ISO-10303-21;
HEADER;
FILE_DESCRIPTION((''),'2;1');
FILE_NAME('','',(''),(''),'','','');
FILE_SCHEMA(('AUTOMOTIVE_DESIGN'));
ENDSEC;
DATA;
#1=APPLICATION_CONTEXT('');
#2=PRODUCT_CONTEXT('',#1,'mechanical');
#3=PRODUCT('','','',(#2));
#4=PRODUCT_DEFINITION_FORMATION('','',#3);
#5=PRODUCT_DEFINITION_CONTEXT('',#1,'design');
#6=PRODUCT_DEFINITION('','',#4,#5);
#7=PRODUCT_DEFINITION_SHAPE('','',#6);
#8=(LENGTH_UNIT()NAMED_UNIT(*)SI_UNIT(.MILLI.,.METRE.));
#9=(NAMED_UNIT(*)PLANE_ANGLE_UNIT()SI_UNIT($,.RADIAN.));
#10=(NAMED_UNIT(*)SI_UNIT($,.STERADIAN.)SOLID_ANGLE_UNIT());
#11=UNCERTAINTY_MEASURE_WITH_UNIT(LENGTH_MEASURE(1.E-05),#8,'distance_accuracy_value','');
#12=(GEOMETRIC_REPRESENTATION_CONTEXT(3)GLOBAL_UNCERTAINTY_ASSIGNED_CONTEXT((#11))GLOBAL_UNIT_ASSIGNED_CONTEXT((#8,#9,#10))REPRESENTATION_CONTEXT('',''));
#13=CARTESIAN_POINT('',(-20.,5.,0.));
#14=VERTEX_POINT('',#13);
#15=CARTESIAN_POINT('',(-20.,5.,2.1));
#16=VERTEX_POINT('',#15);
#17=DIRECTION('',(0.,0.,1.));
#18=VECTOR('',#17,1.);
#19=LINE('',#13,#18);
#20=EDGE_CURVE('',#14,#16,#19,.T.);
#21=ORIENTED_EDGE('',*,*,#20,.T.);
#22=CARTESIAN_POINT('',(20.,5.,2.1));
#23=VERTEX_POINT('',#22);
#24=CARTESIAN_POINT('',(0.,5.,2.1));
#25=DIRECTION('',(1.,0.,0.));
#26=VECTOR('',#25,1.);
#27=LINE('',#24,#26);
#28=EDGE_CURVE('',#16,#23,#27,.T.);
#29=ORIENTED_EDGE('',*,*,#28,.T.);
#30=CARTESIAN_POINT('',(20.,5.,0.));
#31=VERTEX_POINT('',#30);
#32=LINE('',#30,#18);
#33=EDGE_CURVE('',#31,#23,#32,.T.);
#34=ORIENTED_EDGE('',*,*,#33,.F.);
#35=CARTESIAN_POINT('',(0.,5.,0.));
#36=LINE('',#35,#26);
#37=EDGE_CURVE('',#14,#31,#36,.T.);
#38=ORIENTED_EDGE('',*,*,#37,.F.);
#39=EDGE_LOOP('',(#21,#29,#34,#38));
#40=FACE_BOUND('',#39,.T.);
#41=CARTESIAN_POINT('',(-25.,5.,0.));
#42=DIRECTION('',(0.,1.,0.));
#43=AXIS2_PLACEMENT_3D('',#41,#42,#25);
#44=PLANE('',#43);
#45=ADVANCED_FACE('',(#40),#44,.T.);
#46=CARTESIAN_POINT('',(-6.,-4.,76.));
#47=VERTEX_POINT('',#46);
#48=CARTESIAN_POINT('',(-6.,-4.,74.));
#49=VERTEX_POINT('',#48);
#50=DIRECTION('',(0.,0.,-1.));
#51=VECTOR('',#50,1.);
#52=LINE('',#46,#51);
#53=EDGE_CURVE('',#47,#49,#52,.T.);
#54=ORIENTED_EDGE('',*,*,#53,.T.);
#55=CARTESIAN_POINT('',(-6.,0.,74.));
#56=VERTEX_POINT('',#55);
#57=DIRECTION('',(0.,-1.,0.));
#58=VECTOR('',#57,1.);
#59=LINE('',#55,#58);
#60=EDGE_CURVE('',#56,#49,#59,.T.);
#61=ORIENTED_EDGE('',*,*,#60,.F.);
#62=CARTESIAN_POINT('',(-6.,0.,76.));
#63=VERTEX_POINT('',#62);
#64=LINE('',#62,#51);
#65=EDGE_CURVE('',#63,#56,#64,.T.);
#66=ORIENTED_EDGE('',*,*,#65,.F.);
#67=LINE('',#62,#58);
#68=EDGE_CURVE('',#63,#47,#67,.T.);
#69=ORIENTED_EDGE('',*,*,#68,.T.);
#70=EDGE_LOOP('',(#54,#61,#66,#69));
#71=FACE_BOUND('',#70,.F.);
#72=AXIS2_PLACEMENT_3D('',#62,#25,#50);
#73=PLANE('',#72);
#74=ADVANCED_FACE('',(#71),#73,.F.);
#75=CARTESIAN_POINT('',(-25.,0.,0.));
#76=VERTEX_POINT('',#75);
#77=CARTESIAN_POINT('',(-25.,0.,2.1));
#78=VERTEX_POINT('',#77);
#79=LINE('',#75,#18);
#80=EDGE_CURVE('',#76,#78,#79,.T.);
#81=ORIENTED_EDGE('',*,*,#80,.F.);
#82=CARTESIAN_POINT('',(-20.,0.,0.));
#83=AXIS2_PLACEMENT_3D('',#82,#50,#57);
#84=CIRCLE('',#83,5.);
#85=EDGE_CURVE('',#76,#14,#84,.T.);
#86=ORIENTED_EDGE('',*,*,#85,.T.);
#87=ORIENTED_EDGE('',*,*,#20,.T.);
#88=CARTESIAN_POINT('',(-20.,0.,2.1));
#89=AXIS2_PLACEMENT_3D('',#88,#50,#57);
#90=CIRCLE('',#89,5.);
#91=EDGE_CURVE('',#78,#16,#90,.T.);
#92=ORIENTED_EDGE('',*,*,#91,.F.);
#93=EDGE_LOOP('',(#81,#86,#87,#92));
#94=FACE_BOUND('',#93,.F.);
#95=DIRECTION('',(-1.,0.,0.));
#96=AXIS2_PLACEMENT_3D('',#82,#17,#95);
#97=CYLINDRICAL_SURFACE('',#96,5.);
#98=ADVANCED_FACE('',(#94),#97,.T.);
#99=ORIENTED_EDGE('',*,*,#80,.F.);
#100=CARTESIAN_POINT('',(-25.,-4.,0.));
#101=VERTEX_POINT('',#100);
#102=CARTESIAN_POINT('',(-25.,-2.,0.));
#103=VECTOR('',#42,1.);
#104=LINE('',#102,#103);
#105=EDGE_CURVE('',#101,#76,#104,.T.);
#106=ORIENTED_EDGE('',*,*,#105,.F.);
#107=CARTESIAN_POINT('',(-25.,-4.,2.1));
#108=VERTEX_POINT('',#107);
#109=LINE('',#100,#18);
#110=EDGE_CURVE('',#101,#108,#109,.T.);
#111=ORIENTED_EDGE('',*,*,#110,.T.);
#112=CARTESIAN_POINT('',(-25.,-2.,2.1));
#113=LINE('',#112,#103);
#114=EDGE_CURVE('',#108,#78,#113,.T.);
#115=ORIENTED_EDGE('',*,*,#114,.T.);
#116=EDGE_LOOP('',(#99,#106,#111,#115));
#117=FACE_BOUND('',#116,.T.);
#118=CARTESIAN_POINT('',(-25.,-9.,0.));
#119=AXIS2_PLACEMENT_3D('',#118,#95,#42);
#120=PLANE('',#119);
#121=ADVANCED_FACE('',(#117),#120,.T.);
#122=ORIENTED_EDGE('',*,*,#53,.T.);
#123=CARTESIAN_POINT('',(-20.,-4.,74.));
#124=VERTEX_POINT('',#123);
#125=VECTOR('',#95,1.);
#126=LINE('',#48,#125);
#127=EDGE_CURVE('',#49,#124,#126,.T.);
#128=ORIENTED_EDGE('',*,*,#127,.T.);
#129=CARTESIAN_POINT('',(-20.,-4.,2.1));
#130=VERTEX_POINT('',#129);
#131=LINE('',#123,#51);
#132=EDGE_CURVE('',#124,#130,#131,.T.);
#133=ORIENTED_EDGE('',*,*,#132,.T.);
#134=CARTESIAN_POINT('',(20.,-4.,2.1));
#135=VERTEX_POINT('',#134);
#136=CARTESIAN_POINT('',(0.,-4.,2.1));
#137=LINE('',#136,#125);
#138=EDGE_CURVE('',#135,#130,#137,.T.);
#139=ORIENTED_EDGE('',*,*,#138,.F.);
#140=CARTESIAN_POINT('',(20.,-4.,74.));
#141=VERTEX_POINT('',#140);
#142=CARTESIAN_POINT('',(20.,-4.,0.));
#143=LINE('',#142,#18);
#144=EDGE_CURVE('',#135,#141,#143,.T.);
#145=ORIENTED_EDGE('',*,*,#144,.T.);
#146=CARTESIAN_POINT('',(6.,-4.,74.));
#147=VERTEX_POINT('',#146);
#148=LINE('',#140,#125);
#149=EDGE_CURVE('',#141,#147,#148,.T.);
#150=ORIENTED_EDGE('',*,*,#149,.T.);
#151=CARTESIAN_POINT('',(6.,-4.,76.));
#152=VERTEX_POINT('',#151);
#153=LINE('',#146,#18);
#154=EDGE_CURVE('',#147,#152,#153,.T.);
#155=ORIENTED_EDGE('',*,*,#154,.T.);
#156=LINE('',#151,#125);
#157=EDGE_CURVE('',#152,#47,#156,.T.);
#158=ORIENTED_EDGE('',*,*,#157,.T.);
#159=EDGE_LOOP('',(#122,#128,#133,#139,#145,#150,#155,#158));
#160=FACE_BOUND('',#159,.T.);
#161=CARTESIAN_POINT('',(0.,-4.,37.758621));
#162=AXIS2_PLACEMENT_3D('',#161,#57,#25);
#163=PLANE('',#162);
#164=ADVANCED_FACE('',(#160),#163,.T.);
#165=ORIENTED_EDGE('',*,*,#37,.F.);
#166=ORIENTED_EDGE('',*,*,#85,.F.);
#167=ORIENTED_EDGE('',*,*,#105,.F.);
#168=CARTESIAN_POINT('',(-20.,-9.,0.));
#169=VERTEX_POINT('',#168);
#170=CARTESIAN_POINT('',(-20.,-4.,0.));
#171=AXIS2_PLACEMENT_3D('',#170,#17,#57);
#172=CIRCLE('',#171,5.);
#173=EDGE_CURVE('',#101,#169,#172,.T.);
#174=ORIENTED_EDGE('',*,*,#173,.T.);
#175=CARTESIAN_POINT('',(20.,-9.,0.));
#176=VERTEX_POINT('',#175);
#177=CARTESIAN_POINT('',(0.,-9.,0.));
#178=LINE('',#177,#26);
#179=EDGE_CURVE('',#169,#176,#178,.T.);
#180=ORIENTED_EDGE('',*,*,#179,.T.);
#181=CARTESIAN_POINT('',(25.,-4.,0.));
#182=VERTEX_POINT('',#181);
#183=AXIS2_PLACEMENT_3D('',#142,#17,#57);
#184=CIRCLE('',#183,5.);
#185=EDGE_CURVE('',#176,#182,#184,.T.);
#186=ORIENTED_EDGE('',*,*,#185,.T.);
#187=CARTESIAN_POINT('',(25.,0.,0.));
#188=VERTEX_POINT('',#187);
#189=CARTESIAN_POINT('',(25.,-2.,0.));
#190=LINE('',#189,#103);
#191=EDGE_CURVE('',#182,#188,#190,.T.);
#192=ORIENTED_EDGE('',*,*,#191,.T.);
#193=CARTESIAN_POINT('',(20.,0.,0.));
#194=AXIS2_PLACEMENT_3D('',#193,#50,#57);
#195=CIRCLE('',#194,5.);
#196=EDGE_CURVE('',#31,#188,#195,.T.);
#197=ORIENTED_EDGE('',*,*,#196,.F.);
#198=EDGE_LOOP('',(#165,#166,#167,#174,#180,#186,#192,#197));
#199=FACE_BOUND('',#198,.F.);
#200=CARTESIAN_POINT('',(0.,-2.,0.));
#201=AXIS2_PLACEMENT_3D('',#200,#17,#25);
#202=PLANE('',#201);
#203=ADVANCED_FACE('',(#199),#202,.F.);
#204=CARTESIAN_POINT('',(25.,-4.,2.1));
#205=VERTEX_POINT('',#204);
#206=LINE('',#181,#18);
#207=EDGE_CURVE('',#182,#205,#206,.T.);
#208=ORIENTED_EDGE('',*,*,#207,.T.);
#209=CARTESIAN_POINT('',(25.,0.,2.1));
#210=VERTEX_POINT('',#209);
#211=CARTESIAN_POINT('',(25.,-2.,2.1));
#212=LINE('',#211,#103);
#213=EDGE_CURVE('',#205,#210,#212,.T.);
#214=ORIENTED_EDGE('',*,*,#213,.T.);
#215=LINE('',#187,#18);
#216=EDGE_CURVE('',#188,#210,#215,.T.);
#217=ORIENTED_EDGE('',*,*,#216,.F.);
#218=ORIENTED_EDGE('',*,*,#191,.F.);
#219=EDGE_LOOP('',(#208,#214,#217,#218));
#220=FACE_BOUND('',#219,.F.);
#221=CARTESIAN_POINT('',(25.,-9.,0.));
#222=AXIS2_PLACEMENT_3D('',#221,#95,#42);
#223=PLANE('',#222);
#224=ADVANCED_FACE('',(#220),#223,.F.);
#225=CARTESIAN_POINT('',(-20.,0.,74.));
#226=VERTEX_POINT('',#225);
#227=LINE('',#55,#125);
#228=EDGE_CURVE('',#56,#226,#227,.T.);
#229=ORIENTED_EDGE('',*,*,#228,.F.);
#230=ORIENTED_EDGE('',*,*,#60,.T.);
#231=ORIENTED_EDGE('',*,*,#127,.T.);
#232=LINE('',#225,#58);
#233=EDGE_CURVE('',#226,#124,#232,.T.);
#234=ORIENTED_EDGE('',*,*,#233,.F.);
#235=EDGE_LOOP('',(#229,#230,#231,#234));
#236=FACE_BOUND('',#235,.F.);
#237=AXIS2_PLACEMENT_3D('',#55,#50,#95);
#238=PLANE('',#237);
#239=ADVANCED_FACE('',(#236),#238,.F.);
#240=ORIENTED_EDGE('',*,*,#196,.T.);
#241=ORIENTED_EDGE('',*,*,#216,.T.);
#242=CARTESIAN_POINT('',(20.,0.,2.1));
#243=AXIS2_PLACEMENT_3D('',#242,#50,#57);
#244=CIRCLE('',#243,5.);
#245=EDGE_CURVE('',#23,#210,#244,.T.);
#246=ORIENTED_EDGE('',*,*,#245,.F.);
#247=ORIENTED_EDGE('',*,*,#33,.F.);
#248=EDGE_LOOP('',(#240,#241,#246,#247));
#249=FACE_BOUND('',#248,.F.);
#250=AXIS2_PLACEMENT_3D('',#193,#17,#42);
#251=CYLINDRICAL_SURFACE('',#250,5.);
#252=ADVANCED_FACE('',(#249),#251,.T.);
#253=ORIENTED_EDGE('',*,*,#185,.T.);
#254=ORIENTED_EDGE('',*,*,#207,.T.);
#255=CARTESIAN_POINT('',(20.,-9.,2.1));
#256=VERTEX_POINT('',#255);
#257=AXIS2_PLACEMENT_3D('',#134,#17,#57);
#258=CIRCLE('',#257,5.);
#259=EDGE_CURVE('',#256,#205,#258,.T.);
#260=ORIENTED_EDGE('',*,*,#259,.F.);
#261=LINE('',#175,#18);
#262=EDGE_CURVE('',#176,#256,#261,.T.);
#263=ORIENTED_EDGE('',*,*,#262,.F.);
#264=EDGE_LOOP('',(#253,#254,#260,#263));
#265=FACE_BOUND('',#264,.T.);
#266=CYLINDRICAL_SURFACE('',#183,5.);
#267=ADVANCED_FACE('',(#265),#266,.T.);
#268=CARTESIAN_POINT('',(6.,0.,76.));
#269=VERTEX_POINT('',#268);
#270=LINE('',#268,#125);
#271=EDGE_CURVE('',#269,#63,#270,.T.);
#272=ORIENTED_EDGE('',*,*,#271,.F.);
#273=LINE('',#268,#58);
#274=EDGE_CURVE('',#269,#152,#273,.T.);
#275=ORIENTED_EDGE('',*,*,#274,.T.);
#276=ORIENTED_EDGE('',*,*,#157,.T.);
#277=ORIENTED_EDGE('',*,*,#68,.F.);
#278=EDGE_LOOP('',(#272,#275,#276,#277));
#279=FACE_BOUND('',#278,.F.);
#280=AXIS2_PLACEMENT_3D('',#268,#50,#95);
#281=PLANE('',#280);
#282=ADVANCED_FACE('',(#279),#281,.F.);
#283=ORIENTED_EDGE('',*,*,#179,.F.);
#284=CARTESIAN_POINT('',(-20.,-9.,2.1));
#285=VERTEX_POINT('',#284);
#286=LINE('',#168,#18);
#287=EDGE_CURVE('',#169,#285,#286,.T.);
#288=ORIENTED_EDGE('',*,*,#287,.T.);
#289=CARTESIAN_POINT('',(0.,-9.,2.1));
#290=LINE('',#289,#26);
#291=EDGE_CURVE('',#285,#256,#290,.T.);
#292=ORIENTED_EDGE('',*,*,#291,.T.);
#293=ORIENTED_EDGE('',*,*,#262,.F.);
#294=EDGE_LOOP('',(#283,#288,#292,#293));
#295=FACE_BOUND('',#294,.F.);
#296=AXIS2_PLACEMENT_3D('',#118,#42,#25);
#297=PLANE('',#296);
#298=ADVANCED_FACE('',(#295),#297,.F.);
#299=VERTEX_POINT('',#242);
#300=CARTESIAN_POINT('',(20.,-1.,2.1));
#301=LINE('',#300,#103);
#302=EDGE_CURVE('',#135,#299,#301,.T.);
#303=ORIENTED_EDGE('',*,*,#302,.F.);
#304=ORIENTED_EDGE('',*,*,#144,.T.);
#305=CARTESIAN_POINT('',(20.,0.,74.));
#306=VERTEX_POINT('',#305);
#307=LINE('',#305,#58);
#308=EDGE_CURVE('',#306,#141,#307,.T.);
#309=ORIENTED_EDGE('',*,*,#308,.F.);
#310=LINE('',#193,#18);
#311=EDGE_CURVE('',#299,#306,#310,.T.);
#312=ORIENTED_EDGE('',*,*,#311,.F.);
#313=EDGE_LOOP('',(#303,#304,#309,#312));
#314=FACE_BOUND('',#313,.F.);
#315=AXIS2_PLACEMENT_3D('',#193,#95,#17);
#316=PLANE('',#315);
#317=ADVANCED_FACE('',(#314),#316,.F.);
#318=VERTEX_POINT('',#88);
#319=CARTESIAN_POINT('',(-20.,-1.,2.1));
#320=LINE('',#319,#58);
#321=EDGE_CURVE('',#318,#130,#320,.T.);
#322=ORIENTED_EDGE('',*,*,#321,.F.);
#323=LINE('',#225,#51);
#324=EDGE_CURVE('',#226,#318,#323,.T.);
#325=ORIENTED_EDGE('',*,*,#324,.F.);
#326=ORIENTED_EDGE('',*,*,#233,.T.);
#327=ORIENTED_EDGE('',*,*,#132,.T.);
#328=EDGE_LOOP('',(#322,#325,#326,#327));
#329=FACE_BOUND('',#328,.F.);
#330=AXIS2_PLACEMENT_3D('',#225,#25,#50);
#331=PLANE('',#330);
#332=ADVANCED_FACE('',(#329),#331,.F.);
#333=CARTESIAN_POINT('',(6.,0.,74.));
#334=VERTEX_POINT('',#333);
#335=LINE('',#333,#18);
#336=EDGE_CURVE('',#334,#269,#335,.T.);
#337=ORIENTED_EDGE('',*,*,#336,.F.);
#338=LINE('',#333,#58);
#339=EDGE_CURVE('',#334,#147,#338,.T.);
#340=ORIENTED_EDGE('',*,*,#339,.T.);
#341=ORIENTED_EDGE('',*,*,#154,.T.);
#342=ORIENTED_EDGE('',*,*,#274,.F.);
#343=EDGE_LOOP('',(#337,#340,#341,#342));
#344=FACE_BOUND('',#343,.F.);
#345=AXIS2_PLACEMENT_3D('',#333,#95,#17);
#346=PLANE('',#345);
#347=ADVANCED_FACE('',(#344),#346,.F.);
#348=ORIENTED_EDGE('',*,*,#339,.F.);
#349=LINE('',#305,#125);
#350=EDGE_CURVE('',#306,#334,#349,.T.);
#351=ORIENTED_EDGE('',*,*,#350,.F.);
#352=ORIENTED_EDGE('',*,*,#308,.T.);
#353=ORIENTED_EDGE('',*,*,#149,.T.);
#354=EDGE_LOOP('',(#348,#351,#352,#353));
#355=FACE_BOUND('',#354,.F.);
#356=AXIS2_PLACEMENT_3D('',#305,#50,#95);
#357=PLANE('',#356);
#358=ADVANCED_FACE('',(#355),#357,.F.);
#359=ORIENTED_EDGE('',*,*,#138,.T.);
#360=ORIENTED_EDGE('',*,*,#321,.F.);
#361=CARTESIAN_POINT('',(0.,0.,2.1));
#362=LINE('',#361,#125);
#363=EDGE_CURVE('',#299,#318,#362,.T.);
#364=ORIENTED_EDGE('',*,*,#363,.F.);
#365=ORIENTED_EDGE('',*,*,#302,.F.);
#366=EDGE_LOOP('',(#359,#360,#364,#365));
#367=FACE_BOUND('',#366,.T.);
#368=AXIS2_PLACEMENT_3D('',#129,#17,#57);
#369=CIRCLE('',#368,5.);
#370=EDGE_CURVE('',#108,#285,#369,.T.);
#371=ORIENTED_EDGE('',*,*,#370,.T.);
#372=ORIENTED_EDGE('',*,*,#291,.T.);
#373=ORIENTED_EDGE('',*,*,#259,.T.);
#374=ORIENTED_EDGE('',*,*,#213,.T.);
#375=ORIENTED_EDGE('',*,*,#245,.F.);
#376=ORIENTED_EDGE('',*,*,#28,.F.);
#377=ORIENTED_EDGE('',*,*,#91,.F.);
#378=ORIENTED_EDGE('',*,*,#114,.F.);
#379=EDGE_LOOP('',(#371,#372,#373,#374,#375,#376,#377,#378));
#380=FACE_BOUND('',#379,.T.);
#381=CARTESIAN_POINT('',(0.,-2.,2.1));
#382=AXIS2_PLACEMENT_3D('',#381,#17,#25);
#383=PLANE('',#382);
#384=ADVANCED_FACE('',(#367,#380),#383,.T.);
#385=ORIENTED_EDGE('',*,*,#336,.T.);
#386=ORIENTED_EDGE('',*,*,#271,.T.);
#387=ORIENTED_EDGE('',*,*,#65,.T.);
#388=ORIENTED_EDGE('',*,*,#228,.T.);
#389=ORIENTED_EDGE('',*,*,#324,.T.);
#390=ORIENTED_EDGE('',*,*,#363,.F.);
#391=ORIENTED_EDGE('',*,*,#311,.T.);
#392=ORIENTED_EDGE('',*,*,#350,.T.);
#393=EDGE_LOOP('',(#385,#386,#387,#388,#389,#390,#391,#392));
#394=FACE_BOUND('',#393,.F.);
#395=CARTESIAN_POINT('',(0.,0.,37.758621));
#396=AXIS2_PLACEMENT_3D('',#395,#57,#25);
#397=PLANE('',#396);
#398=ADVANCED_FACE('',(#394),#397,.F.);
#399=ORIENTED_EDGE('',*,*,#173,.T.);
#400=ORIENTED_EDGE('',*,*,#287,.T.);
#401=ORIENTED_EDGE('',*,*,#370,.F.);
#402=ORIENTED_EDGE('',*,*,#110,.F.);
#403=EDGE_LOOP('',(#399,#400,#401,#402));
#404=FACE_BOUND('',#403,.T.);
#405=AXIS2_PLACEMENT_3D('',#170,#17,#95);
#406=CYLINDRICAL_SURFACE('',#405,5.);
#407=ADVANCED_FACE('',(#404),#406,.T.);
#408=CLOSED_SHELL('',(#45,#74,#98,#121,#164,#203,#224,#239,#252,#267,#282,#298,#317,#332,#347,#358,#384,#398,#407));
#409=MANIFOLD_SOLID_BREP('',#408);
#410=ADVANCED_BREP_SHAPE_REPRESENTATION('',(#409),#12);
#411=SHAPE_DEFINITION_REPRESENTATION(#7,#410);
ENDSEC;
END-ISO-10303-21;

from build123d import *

# Parameters (mm, degrees)
F2_DEPTH = 4
F3_W     = 50
F3_H     = 14
F4_DEPTH = 2.1
F5_R     = 5


with BuildPart() as f2:
    # F1 (on Front) → F2 (new body)
    with BuildSketch(Plane.XZ):
        Polygon((-20, 0), (20, 0), (20, 74), (6, 74), (6, 76), (-6, 76), (-6, 74), (-20, 74), align=None)
    extrude(amount=F2_DEPTH)

    # F3 (on Top) → F4 (join)
    with BuildSketch(Plane.XY):
        with Locations((0, -2)):
            Rectangle(F3_W, F3_H)
    extrude(amount=F4_DEPTH)

    # F5
    f5_edges = [f2.edges().sort_by_distance(p)[0] for p in [
        (-25, -9, 1.05),
        (25, -9, 1.05),
        (25, 5, 1.05),
        (-25, 5, 1.05),
    ]]
    fillet(f5_edges, radius=F5_R)


solid = f2.part
